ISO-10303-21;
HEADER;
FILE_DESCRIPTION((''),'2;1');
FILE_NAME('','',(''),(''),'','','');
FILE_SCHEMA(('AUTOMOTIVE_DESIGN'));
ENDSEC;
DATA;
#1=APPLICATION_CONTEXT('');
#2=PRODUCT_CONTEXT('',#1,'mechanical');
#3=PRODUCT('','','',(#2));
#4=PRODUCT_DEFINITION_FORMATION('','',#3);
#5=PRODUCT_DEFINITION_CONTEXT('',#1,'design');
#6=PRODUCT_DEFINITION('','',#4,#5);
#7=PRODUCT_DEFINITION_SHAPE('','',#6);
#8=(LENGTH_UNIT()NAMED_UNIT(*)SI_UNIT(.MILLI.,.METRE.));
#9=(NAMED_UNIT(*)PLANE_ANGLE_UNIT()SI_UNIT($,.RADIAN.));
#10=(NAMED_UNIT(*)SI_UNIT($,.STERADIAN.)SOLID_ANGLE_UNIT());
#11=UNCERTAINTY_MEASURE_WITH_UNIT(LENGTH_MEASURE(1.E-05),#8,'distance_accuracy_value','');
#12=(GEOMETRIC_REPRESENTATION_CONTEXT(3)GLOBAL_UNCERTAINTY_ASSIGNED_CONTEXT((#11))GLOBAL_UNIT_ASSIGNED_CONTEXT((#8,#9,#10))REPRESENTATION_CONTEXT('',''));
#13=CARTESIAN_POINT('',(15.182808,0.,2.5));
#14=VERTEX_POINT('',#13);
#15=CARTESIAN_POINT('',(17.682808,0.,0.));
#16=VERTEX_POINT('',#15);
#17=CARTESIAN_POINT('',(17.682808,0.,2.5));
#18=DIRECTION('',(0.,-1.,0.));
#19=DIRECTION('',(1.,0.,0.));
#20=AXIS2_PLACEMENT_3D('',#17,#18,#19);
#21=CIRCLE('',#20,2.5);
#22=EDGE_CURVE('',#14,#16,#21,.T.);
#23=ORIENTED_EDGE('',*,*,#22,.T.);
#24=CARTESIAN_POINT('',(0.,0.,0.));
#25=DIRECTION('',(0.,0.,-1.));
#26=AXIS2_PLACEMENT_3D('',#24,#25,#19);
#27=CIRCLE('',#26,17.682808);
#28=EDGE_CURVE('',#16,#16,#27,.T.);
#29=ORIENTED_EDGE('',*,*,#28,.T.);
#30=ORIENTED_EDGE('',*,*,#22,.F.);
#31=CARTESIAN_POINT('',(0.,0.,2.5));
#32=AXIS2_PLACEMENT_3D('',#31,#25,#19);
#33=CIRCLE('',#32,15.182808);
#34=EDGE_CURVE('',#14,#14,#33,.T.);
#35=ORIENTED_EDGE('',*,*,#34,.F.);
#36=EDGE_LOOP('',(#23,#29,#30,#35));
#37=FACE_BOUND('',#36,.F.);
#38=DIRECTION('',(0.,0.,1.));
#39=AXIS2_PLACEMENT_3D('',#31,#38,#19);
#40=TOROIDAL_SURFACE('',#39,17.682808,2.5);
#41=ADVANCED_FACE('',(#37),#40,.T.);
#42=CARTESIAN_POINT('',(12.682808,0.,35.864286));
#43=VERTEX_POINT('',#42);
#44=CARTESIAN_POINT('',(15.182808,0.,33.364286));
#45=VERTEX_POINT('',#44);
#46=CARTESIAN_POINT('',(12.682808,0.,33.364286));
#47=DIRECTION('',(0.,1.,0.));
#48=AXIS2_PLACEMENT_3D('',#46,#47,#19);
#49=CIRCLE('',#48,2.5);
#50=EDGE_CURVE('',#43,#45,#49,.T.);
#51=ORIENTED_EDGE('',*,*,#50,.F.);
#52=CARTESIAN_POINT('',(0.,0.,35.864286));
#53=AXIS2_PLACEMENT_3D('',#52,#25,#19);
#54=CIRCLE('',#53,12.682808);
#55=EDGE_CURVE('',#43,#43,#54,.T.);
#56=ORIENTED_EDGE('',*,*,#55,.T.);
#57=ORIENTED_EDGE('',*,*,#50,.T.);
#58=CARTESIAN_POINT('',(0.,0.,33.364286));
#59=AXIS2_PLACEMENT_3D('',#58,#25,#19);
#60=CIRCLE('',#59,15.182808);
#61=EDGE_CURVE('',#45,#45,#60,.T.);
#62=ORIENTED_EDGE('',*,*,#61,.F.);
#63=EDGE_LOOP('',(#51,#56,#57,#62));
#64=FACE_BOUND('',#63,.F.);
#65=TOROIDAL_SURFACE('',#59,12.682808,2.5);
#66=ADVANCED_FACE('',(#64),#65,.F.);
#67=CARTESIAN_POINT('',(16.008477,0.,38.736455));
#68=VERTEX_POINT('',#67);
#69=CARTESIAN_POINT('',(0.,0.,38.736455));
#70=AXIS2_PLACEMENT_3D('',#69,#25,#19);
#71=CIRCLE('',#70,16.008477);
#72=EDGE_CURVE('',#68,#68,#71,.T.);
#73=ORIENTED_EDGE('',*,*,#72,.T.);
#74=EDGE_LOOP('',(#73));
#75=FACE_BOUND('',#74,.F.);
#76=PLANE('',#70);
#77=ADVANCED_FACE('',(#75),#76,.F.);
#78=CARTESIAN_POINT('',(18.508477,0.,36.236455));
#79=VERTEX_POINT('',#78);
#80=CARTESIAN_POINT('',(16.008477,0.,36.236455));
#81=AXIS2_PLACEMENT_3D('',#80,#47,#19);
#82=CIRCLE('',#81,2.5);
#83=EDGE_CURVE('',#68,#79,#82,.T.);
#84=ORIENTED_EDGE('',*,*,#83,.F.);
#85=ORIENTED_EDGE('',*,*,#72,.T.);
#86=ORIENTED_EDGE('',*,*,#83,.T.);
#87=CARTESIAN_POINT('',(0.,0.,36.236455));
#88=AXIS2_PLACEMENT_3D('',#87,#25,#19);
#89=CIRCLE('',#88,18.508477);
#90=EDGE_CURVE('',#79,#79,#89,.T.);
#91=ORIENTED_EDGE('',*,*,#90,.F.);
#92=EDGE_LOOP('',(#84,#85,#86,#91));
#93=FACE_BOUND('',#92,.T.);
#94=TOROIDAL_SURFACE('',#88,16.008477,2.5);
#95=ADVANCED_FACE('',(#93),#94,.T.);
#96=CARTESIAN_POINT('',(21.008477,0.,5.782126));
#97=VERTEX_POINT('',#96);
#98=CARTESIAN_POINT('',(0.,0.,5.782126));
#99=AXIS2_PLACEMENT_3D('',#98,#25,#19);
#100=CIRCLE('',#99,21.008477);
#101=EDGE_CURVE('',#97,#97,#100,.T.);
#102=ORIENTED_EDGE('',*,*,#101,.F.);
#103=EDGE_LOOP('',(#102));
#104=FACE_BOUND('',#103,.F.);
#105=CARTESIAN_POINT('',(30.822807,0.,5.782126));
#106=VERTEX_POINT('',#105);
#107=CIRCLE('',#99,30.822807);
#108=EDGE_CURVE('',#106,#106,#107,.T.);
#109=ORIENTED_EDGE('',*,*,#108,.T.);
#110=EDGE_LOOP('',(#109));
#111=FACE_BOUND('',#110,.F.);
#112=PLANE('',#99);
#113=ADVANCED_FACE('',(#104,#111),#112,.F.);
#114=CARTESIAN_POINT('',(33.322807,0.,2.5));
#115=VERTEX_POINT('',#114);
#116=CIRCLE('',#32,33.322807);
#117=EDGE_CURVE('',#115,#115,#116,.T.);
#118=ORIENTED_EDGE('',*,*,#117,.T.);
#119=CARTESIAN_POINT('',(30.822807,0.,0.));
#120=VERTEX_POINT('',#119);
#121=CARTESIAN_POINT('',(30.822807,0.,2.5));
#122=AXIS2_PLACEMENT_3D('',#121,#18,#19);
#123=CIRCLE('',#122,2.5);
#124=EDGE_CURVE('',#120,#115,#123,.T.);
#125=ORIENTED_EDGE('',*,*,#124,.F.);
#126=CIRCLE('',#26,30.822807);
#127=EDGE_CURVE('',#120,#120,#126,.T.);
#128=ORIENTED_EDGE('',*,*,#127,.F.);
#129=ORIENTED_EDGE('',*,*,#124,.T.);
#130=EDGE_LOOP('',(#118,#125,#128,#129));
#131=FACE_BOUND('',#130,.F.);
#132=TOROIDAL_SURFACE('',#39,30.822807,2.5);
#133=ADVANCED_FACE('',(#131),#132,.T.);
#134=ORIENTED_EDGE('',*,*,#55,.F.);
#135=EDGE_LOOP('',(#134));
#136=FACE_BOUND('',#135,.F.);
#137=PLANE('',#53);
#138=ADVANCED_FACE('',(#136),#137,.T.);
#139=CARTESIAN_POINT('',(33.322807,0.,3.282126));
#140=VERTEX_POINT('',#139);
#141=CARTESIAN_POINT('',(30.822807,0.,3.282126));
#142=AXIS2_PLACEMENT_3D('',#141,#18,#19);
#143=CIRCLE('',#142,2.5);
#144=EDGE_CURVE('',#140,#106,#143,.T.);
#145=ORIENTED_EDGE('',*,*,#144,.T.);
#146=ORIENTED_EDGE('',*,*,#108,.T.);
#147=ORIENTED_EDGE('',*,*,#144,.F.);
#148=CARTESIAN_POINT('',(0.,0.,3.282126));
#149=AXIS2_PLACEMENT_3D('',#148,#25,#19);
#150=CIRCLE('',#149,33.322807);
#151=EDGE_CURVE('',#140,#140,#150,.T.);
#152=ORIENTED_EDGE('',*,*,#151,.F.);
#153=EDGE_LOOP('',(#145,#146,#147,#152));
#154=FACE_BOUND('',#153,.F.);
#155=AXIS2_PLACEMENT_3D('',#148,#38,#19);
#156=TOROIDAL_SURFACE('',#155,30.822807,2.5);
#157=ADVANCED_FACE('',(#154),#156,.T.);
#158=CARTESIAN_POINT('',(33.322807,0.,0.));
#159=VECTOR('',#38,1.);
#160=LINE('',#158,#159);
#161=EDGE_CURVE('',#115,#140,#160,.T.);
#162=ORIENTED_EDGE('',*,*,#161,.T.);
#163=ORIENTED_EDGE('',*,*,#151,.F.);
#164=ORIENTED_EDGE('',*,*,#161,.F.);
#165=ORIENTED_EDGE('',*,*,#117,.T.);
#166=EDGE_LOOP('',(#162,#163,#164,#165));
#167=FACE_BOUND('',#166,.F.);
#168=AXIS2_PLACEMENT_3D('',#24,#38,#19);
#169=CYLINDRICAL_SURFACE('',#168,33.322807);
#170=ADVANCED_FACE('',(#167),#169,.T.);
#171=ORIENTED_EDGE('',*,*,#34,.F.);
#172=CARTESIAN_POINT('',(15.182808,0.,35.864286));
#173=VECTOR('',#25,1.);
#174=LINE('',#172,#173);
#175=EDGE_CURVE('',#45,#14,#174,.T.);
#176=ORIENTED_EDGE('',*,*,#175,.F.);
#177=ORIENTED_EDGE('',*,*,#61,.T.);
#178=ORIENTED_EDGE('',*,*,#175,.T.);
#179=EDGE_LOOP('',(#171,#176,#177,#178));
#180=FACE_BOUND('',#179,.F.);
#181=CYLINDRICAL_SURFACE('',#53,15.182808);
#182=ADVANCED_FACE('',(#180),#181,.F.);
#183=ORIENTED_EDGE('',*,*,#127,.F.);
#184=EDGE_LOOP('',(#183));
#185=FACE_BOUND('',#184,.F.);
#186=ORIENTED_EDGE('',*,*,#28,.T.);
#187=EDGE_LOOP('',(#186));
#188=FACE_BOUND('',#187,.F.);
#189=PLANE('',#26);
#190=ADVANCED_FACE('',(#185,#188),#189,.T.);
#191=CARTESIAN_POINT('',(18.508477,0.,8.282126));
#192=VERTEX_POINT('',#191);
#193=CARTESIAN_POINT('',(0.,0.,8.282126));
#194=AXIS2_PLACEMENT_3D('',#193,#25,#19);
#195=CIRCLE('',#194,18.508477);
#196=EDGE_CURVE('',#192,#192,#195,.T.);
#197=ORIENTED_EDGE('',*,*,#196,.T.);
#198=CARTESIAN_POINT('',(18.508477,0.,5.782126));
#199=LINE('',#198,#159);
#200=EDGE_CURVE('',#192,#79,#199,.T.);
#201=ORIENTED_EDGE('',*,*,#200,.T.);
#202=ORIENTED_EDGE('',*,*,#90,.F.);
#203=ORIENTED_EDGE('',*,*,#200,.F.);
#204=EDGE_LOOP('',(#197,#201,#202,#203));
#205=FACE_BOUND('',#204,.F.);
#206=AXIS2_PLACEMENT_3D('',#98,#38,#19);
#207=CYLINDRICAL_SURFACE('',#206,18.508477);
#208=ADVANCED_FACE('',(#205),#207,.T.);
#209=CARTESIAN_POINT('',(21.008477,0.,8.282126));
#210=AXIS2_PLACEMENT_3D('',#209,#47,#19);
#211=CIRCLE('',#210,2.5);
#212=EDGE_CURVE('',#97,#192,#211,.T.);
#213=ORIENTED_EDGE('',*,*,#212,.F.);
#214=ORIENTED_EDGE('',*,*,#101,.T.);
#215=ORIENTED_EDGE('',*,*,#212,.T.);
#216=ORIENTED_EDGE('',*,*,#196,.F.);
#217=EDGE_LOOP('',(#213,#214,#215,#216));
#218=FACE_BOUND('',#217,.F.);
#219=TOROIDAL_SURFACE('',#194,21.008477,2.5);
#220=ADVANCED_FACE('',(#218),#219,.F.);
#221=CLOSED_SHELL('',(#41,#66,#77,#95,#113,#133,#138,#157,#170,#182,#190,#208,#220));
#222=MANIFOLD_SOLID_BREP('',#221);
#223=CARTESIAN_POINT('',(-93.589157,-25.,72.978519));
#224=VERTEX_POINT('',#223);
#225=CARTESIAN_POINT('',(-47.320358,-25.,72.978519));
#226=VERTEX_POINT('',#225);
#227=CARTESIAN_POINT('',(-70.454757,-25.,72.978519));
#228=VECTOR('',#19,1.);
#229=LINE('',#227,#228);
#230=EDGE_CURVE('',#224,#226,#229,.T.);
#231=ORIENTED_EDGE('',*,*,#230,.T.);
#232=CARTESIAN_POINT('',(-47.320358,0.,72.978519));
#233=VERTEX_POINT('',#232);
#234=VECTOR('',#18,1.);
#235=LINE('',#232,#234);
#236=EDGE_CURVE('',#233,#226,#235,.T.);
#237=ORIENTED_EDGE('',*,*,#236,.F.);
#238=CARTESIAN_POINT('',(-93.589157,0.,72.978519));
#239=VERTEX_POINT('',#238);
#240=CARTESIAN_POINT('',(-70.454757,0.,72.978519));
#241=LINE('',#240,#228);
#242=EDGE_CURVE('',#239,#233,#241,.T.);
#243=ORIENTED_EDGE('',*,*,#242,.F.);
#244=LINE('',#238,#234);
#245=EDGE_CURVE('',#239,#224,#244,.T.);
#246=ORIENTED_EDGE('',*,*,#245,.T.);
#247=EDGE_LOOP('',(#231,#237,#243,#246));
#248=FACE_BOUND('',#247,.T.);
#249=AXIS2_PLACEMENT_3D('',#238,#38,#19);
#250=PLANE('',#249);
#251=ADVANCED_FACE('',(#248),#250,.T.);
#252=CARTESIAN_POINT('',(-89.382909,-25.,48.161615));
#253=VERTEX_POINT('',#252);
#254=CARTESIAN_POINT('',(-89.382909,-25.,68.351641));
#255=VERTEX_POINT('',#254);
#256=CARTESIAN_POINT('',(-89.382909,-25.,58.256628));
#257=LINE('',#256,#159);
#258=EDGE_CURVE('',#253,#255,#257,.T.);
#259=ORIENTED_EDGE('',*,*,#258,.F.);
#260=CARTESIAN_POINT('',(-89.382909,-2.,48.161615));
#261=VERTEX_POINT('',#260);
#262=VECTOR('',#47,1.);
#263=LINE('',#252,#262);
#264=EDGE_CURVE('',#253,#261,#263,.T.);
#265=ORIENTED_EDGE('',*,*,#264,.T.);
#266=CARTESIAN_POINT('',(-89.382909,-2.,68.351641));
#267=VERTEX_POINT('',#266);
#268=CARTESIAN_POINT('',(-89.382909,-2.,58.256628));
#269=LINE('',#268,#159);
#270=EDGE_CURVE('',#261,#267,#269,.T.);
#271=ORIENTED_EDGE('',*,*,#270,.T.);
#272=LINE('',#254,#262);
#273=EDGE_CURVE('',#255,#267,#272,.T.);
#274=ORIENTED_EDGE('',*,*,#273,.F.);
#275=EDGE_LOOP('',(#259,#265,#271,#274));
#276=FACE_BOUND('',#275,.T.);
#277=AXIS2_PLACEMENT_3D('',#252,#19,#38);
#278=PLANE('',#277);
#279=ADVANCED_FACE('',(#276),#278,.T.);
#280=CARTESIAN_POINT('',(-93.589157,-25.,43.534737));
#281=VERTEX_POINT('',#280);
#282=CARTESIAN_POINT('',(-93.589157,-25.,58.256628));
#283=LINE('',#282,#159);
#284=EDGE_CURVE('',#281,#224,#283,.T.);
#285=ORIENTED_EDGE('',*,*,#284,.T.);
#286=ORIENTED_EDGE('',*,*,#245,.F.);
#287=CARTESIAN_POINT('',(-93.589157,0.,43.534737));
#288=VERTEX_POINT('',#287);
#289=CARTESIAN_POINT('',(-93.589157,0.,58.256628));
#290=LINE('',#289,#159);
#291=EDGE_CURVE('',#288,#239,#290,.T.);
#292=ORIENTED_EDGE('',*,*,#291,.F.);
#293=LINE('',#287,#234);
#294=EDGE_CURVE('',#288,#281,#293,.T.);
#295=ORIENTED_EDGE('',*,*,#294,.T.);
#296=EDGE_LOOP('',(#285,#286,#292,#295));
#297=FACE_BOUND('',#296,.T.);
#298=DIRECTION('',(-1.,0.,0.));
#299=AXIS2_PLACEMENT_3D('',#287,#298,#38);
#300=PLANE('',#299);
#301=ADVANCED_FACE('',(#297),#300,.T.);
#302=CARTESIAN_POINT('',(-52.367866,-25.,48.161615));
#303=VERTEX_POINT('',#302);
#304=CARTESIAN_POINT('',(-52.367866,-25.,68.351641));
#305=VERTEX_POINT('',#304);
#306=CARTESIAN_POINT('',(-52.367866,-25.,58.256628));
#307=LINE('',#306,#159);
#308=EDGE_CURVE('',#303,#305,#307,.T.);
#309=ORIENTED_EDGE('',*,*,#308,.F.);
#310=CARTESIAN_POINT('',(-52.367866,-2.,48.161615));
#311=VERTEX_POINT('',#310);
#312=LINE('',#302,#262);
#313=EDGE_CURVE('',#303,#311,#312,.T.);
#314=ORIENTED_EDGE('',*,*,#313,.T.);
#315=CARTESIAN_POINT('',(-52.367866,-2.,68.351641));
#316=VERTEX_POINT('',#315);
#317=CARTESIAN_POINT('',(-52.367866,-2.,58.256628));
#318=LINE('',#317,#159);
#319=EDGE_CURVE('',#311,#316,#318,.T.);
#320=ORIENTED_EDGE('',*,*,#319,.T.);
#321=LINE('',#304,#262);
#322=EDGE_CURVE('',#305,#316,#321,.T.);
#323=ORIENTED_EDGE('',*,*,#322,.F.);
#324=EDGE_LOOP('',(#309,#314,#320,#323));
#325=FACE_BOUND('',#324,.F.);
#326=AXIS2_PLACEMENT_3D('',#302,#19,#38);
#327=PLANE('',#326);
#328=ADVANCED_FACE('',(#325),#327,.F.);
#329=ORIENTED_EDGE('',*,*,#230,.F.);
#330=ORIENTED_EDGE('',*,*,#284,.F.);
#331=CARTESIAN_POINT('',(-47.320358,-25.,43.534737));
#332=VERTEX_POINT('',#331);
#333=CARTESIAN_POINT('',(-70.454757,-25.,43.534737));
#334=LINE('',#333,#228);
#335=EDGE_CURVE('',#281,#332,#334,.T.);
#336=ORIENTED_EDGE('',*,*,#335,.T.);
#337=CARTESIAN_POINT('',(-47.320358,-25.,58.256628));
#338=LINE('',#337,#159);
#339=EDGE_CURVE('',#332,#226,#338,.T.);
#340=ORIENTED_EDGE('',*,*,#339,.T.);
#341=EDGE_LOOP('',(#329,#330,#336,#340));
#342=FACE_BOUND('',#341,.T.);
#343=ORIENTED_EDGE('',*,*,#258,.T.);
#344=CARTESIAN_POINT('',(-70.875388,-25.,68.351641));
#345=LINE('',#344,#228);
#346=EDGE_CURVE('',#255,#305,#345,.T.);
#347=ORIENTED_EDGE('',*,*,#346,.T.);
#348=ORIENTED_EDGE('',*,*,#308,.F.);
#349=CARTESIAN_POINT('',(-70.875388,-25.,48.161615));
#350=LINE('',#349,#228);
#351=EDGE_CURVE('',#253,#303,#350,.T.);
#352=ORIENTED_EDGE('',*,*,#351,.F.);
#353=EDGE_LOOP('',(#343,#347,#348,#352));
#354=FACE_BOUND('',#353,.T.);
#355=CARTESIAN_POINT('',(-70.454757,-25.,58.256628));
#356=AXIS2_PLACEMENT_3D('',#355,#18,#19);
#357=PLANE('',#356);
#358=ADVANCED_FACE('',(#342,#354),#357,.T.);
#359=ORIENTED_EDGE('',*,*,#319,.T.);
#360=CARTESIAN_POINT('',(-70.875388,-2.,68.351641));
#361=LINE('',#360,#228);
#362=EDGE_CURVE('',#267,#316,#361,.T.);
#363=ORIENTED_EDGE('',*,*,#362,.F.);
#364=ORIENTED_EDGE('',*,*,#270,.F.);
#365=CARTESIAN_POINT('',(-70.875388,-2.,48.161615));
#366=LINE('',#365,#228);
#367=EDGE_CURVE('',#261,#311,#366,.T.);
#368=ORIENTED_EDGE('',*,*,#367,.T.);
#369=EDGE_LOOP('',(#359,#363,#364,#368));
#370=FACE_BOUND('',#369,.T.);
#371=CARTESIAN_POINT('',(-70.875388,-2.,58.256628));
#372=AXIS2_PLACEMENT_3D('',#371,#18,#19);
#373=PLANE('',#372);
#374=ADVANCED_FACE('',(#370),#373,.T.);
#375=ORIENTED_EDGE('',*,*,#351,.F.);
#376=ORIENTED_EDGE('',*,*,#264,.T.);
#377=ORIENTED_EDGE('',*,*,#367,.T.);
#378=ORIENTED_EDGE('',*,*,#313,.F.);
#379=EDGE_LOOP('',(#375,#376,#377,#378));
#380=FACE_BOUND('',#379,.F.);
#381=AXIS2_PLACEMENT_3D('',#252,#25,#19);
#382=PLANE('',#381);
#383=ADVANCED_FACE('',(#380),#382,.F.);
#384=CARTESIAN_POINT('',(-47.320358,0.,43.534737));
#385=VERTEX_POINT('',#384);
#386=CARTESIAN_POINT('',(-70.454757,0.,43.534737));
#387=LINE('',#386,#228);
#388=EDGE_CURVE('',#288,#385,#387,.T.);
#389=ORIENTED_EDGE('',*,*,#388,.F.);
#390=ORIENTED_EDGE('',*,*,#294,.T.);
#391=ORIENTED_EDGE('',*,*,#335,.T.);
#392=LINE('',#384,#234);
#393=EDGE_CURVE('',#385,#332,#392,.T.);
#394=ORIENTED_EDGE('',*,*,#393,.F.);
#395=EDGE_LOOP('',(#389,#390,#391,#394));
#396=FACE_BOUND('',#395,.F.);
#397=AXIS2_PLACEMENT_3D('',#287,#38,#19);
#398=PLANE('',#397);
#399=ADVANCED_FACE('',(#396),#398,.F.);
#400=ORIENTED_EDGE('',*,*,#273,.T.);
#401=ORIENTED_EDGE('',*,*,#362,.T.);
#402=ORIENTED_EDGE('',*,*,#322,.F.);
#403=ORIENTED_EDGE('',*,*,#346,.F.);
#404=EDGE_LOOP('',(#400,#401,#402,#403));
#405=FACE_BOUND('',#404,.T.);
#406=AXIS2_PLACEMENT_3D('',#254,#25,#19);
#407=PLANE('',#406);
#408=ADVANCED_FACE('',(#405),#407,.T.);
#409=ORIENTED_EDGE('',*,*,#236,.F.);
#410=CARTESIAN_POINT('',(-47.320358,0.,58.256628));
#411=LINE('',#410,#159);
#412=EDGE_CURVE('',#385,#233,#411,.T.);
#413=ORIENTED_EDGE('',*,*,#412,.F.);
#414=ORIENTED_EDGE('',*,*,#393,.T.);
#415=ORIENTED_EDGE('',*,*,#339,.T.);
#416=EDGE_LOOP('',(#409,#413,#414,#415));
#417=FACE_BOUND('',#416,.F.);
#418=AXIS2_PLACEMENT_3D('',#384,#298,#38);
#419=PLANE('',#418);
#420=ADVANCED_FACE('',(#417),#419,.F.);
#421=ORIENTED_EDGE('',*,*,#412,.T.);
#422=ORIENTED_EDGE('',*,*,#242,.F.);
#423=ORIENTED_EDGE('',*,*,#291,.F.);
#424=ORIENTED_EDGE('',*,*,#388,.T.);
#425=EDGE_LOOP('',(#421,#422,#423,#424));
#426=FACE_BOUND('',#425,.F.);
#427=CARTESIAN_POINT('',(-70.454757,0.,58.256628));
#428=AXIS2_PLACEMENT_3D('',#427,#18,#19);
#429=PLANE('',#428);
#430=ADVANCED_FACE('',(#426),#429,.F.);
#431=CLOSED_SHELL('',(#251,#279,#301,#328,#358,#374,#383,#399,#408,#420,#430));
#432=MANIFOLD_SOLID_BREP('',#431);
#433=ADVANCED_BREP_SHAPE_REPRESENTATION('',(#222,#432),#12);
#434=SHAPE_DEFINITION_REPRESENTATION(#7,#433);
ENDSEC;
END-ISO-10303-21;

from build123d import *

# Parameters (mm, degrees)
F2_R     = 2.5
F3_W     = 46.268799
F3_H     = 29.443782
F4_DEPTH = 25
F5_W     = 37.015043
F5_H     = 20.190026
F6_DEPTH = 23


with BuildPart() as f1:
    # F0 (on Front) → F1 (revolve)
    with BuildSketch(Plane.XZ):
        Polygon((18.508477, 38.736455), (0, 38.736455), (0, 35.864286), (15.182808, 35.864286), (15.182808, 0), (33.322807, 0), (33.322807, 5.782126), (18.508477, 5.782126), align=None)
    revolve(axis=Axis((0, 0, 37.300371), (0, 0, -1)))

    # F2
    f2_edges = [f1.edges().sort_by_distance(p)[0] for p in [
        (-15.182808, 0, 35.864286),
        (-15.182808, 0, 0),
        (-33.322807, 0, 5.782126),
        (-33.322807, 0, 0),
        (-18.508477, 0, 5.782126),
        (-18.508477, 0, 38.736455),
    ]]
    fillet(f2_edges, radius=F2_R)


with BuildPart() as f4:
    # F3 (on Front) → F4 (new body)
    with BuildSketch(Plane.XZ):
        with Locations((-70.454757, 58.256628)):
            Rectangle(F3_W, F3_H)
    extrude(amount=F4_DEPTH)

    # F5 (on face) → F6 (cut)
    with BuildSketch(Plane.XZ.offset(25)):
        with Locations((-70.875388, 58.256628)):
            Rectangle(F5_W, F5_H)
    extrude(amount=-F6_DEPTH, mode=Mode.SUBTRACT)


solid = Compound([f1.part, f4.part])
